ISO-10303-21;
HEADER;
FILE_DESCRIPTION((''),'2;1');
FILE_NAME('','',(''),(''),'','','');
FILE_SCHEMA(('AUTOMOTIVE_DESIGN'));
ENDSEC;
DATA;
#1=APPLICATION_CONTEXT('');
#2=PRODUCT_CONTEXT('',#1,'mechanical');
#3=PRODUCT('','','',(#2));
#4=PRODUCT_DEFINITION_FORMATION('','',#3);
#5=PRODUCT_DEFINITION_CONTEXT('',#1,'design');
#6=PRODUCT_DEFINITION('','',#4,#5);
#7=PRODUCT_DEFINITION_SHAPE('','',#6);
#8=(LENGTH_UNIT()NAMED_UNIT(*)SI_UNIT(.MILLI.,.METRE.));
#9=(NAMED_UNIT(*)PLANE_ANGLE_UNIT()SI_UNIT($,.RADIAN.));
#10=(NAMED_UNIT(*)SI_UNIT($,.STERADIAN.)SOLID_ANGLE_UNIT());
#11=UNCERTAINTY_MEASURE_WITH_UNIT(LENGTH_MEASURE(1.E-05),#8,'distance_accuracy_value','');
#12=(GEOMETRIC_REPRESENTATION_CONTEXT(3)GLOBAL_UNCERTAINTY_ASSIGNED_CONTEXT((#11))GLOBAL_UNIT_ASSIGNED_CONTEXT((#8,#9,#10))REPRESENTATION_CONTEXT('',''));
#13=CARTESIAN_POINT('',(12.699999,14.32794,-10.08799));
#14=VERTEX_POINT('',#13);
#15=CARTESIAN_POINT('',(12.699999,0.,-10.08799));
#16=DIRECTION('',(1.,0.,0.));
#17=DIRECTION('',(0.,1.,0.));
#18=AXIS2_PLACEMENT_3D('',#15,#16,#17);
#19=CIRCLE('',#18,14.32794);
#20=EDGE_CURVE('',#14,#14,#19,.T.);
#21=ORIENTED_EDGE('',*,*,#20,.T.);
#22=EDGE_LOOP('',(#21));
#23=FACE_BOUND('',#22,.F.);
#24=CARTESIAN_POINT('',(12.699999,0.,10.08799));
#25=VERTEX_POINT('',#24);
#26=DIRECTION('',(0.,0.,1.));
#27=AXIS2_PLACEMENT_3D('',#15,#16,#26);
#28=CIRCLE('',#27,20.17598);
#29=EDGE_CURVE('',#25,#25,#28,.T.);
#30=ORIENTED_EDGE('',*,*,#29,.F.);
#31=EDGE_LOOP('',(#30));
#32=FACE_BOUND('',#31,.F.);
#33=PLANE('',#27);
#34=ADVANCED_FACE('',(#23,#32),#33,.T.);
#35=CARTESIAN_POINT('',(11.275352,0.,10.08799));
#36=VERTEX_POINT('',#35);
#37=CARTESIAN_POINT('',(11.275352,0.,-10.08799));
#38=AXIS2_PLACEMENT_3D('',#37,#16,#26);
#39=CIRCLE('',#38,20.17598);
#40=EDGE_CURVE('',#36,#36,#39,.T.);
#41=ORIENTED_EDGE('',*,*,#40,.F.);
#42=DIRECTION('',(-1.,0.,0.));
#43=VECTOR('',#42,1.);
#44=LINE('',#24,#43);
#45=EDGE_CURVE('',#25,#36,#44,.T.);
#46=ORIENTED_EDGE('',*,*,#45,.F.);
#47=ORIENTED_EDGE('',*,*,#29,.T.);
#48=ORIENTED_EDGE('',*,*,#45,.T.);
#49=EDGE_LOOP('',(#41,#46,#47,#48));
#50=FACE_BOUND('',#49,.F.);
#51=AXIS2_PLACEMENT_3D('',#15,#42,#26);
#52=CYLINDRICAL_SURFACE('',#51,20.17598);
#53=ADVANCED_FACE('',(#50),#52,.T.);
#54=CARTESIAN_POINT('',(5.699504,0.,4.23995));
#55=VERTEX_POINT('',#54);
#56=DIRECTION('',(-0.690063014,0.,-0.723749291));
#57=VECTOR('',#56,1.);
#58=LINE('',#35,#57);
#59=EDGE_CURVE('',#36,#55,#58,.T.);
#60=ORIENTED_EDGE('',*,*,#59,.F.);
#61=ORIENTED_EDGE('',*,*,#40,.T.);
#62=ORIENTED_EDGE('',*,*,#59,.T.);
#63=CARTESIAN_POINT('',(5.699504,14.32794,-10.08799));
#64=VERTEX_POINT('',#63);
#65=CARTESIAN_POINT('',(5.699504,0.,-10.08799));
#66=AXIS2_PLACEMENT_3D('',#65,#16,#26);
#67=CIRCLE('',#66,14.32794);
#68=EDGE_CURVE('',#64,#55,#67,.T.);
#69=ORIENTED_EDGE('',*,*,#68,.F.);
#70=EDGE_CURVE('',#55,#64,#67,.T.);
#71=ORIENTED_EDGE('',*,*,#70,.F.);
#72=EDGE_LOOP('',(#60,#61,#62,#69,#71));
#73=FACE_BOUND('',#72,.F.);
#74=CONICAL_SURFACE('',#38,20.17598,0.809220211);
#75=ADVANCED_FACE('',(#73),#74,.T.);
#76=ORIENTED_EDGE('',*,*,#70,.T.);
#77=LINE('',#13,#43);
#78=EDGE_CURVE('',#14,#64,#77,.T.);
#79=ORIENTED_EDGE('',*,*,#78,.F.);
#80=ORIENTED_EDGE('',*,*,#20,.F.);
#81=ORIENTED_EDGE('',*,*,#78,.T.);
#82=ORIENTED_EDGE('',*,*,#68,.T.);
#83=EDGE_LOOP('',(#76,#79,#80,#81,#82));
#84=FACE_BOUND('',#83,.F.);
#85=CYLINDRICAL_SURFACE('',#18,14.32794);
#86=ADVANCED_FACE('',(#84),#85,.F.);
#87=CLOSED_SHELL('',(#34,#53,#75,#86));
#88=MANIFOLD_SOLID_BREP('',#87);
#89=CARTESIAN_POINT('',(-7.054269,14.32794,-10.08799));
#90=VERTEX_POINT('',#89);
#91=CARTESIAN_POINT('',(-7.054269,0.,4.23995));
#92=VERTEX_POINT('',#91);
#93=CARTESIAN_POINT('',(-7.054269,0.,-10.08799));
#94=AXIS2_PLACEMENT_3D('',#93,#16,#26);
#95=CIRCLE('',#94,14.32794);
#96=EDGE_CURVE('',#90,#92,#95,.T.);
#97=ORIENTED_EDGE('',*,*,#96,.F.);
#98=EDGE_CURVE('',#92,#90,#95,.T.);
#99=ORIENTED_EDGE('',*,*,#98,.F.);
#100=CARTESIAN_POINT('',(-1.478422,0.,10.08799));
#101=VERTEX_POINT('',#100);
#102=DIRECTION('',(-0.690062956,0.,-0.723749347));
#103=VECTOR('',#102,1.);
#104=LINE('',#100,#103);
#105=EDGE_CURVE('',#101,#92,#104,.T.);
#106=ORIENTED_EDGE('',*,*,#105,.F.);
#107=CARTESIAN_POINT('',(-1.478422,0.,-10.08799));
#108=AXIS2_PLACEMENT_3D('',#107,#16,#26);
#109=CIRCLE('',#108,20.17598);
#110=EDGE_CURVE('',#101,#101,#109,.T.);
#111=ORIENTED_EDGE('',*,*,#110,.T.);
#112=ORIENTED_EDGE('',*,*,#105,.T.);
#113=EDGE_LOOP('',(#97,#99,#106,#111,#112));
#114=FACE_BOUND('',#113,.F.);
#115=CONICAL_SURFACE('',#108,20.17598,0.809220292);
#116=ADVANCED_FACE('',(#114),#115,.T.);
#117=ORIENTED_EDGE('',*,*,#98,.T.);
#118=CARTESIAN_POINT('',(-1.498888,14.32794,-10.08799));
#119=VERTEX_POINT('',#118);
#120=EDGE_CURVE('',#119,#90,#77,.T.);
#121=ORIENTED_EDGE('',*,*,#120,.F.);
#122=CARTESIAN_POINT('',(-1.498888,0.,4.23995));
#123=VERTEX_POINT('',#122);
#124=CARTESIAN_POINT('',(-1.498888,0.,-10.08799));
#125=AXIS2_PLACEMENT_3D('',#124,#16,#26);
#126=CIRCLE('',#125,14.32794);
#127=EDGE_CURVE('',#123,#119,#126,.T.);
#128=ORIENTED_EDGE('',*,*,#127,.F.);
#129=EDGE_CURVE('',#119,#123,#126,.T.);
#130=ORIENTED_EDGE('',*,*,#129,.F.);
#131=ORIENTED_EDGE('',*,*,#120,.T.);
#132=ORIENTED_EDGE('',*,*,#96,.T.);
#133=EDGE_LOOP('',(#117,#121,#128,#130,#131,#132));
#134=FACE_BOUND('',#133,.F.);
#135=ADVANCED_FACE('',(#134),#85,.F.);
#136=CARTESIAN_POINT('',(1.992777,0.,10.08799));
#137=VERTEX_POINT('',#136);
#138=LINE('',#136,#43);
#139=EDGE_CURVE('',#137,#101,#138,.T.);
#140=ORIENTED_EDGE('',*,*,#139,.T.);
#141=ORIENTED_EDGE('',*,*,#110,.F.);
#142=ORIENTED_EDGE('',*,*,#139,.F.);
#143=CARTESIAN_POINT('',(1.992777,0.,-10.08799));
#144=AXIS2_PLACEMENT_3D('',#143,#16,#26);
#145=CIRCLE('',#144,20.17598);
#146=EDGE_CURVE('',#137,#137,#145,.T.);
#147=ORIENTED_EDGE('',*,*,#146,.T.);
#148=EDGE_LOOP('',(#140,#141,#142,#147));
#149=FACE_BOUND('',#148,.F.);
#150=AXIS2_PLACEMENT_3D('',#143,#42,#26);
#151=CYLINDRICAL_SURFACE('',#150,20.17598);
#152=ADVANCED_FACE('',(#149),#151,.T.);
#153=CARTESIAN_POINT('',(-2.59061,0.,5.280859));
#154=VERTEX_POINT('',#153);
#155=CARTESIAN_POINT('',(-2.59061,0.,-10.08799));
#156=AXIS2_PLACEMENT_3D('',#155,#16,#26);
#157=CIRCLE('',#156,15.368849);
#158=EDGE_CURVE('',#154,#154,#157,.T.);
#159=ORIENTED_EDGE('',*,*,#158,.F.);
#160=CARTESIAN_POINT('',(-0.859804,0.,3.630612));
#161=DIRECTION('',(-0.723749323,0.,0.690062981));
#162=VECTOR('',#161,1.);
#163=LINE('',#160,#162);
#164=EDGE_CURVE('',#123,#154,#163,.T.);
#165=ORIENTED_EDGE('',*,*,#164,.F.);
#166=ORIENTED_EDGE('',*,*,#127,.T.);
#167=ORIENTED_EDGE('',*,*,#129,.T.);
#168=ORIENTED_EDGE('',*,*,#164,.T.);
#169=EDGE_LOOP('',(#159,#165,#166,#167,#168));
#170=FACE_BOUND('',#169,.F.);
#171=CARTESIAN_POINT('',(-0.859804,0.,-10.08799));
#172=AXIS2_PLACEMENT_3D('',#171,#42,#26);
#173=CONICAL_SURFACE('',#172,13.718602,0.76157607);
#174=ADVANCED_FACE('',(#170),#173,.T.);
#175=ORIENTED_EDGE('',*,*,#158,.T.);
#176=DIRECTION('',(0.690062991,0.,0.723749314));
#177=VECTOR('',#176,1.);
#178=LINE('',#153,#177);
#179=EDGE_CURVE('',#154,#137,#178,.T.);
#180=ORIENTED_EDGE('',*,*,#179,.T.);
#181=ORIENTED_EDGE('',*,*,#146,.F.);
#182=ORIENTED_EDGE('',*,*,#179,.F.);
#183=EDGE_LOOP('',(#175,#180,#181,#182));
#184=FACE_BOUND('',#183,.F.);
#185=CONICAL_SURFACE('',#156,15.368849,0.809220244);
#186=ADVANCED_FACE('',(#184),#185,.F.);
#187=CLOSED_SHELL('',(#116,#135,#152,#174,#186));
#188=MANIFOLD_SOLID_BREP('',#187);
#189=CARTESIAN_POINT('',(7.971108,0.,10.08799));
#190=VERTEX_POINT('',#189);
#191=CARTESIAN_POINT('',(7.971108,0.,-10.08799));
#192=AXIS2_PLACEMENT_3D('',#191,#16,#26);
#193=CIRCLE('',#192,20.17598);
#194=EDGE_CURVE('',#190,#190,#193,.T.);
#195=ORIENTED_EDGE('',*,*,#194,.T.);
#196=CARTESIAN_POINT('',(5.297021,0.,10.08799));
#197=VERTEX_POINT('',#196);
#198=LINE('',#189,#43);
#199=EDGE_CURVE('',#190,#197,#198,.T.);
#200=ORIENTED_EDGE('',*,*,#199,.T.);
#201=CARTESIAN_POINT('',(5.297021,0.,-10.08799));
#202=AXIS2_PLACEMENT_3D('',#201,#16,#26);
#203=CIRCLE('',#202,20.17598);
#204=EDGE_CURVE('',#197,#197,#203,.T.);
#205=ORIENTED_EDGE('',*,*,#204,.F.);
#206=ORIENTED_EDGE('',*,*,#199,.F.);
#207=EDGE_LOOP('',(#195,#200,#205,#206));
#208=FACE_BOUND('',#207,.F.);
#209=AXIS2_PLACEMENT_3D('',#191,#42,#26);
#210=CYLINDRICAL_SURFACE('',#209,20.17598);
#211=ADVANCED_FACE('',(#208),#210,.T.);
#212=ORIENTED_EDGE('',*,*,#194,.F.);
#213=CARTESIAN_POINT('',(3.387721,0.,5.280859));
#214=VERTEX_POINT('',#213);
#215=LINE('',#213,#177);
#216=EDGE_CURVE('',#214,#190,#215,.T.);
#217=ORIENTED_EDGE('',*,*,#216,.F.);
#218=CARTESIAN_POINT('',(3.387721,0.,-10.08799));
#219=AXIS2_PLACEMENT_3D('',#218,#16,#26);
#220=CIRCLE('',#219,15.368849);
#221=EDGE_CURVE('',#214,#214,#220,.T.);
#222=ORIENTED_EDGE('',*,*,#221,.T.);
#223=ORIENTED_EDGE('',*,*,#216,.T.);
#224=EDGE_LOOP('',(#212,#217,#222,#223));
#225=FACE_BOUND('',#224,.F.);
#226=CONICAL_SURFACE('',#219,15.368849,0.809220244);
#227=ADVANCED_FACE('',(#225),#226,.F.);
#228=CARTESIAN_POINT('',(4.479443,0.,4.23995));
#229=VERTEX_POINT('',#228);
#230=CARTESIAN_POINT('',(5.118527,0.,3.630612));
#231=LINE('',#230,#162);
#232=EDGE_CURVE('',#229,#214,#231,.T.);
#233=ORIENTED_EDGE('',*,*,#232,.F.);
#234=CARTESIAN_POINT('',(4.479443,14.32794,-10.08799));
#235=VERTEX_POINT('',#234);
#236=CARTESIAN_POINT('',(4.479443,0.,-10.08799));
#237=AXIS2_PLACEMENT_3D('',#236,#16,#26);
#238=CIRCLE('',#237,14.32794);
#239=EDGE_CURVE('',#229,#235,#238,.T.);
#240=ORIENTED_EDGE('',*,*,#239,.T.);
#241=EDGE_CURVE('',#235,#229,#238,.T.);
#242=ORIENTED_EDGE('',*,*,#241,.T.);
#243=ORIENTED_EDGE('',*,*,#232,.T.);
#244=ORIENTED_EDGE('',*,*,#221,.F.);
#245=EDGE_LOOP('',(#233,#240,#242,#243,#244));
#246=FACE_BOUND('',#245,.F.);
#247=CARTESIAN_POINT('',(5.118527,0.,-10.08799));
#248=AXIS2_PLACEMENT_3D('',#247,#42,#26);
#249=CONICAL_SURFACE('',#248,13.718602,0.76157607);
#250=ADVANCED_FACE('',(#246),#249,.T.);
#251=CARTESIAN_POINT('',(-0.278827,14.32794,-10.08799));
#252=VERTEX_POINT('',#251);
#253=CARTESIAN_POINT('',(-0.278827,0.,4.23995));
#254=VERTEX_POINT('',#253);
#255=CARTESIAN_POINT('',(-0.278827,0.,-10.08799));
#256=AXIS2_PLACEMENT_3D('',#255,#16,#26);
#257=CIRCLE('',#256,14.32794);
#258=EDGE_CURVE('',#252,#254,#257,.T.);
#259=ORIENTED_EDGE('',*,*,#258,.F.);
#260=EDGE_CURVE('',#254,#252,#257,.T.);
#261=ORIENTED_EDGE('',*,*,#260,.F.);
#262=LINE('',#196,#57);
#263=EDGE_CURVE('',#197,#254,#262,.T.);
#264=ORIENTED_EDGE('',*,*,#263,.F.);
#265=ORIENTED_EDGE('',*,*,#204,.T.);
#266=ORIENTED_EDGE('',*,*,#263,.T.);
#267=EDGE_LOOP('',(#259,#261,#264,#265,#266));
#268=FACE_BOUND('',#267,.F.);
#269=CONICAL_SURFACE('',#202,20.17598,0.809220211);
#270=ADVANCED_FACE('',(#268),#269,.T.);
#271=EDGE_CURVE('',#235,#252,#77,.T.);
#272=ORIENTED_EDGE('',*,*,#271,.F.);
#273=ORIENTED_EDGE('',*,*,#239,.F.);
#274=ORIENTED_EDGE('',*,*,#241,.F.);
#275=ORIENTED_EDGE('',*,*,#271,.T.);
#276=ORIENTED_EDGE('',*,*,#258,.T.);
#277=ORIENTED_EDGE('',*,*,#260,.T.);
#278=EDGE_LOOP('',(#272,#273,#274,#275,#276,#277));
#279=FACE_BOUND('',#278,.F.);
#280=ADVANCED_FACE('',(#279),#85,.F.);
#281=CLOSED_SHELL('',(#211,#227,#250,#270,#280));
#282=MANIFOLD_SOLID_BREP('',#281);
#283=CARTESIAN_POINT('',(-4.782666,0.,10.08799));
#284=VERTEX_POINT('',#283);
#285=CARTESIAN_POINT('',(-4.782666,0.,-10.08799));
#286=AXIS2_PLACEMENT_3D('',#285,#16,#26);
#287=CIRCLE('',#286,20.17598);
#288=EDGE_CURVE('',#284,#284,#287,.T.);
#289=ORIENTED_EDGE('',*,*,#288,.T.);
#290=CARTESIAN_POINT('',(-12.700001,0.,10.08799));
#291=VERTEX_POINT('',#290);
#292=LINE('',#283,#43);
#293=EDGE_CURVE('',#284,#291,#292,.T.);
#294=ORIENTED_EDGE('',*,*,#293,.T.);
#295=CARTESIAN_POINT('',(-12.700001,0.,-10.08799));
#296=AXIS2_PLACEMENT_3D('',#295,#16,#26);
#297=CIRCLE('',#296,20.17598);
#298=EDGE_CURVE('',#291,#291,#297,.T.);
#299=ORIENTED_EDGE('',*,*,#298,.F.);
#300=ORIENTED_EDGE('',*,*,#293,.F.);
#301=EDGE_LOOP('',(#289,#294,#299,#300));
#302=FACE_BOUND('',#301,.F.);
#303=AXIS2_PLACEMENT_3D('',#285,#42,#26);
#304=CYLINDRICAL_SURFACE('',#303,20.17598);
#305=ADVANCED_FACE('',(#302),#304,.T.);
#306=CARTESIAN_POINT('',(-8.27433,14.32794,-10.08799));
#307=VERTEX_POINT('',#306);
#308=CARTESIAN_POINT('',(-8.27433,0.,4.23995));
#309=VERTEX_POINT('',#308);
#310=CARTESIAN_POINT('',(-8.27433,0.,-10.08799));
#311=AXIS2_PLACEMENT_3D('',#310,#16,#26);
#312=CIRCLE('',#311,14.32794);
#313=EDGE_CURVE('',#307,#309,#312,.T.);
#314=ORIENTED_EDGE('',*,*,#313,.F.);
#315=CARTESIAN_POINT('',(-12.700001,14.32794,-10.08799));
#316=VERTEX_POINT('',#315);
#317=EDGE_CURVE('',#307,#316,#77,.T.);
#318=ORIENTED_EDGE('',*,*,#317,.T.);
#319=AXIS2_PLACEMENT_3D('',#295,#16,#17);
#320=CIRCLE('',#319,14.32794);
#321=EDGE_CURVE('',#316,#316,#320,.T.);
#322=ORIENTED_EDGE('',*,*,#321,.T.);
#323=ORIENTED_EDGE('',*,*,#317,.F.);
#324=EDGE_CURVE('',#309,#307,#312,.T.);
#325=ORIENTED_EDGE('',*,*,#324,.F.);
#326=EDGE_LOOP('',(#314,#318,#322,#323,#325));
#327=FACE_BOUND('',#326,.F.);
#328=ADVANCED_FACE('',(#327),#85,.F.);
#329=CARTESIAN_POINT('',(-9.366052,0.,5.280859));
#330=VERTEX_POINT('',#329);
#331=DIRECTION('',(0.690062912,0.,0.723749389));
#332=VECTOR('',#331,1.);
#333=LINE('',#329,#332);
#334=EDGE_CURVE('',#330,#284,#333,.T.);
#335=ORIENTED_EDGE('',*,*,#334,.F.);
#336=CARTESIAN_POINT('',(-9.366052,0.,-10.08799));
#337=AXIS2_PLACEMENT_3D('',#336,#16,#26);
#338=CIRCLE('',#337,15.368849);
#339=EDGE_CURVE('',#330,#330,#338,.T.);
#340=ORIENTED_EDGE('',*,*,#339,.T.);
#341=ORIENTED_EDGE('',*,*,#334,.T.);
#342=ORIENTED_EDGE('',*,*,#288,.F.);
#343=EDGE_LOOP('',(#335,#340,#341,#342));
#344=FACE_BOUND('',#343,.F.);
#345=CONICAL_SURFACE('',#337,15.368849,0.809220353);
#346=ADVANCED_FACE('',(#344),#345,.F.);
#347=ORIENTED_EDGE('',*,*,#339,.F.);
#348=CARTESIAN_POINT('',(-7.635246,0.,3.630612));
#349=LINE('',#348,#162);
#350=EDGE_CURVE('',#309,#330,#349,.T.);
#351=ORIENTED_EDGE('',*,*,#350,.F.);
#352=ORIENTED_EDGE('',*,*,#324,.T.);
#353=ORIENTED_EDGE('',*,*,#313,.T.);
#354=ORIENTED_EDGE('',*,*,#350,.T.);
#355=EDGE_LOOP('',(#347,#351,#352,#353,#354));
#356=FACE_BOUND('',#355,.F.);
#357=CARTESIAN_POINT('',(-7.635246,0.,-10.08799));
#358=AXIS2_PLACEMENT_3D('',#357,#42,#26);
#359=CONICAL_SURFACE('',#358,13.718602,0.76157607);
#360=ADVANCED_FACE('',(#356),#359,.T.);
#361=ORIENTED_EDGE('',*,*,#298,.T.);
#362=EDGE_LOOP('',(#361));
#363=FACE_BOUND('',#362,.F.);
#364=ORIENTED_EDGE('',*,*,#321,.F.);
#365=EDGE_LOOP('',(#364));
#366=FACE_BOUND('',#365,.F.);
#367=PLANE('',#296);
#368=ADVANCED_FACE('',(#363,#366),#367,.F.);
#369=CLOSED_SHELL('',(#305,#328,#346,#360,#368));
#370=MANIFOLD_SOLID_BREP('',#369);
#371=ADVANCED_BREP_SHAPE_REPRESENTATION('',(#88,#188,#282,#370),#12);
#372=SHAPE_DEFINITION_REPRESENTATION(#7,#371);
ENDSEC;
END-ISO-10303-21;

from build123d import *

# Parameters (mm, degrees)
F2_R     = 14.32794
F3_DEPTH = 254


with BuildPart() as f1:
    # F0 (on Front) → F1 (revolve)
    with BuildSketch(Plane.XZ):
        Polygon((-4.782666, 10.08799), (-12.700001, 10.08799), (-12.700001, -8.96201), (-12.700001, -10.08799), (-4.782666, -10.08799), (-9.366052, -5.280859), (-7.635246, -3.630612), (-1.478422, -10.08799), (1.992777, -10.08799), (-2.59061, -5.280859), (-0.859804, -3.630612), (5.297021, -10.08799), (7.971108, -10.08799), (3.387721, -5.280859), (5.118527, -3.630612), (11.275352, -10.08799), (12.699999, -10.08799), (12.699999, -8.96201), (12.699999, 10.08799), (11.275352, 10.08799), (5.118527, 3.630612), (3.387721, 5.280859), (7.971108, 10.08799), (5.297021, 10.08799), (-0.859804, 3.630612), (-2.59061, 5.280859), (1.992777, 10.08799), (-1.478422, 10.08799), (-7.635246, 3.630612), (-9.366052, 5.280859), align=None)
    revolve(axis=Axis((11.987675, 0, -10.08799), (1, 0, 0)))

    # F2 (on face) → F3 (cut)
    with BuildSketch(Plane.YZ.offset(12.699999)):
        with Locations((0, -10.08799)):
            Circle(F2_R)
    extrude(amount=-F3_DEPTH, mode=Mode.SUBTRACT)


solid = f1.part
